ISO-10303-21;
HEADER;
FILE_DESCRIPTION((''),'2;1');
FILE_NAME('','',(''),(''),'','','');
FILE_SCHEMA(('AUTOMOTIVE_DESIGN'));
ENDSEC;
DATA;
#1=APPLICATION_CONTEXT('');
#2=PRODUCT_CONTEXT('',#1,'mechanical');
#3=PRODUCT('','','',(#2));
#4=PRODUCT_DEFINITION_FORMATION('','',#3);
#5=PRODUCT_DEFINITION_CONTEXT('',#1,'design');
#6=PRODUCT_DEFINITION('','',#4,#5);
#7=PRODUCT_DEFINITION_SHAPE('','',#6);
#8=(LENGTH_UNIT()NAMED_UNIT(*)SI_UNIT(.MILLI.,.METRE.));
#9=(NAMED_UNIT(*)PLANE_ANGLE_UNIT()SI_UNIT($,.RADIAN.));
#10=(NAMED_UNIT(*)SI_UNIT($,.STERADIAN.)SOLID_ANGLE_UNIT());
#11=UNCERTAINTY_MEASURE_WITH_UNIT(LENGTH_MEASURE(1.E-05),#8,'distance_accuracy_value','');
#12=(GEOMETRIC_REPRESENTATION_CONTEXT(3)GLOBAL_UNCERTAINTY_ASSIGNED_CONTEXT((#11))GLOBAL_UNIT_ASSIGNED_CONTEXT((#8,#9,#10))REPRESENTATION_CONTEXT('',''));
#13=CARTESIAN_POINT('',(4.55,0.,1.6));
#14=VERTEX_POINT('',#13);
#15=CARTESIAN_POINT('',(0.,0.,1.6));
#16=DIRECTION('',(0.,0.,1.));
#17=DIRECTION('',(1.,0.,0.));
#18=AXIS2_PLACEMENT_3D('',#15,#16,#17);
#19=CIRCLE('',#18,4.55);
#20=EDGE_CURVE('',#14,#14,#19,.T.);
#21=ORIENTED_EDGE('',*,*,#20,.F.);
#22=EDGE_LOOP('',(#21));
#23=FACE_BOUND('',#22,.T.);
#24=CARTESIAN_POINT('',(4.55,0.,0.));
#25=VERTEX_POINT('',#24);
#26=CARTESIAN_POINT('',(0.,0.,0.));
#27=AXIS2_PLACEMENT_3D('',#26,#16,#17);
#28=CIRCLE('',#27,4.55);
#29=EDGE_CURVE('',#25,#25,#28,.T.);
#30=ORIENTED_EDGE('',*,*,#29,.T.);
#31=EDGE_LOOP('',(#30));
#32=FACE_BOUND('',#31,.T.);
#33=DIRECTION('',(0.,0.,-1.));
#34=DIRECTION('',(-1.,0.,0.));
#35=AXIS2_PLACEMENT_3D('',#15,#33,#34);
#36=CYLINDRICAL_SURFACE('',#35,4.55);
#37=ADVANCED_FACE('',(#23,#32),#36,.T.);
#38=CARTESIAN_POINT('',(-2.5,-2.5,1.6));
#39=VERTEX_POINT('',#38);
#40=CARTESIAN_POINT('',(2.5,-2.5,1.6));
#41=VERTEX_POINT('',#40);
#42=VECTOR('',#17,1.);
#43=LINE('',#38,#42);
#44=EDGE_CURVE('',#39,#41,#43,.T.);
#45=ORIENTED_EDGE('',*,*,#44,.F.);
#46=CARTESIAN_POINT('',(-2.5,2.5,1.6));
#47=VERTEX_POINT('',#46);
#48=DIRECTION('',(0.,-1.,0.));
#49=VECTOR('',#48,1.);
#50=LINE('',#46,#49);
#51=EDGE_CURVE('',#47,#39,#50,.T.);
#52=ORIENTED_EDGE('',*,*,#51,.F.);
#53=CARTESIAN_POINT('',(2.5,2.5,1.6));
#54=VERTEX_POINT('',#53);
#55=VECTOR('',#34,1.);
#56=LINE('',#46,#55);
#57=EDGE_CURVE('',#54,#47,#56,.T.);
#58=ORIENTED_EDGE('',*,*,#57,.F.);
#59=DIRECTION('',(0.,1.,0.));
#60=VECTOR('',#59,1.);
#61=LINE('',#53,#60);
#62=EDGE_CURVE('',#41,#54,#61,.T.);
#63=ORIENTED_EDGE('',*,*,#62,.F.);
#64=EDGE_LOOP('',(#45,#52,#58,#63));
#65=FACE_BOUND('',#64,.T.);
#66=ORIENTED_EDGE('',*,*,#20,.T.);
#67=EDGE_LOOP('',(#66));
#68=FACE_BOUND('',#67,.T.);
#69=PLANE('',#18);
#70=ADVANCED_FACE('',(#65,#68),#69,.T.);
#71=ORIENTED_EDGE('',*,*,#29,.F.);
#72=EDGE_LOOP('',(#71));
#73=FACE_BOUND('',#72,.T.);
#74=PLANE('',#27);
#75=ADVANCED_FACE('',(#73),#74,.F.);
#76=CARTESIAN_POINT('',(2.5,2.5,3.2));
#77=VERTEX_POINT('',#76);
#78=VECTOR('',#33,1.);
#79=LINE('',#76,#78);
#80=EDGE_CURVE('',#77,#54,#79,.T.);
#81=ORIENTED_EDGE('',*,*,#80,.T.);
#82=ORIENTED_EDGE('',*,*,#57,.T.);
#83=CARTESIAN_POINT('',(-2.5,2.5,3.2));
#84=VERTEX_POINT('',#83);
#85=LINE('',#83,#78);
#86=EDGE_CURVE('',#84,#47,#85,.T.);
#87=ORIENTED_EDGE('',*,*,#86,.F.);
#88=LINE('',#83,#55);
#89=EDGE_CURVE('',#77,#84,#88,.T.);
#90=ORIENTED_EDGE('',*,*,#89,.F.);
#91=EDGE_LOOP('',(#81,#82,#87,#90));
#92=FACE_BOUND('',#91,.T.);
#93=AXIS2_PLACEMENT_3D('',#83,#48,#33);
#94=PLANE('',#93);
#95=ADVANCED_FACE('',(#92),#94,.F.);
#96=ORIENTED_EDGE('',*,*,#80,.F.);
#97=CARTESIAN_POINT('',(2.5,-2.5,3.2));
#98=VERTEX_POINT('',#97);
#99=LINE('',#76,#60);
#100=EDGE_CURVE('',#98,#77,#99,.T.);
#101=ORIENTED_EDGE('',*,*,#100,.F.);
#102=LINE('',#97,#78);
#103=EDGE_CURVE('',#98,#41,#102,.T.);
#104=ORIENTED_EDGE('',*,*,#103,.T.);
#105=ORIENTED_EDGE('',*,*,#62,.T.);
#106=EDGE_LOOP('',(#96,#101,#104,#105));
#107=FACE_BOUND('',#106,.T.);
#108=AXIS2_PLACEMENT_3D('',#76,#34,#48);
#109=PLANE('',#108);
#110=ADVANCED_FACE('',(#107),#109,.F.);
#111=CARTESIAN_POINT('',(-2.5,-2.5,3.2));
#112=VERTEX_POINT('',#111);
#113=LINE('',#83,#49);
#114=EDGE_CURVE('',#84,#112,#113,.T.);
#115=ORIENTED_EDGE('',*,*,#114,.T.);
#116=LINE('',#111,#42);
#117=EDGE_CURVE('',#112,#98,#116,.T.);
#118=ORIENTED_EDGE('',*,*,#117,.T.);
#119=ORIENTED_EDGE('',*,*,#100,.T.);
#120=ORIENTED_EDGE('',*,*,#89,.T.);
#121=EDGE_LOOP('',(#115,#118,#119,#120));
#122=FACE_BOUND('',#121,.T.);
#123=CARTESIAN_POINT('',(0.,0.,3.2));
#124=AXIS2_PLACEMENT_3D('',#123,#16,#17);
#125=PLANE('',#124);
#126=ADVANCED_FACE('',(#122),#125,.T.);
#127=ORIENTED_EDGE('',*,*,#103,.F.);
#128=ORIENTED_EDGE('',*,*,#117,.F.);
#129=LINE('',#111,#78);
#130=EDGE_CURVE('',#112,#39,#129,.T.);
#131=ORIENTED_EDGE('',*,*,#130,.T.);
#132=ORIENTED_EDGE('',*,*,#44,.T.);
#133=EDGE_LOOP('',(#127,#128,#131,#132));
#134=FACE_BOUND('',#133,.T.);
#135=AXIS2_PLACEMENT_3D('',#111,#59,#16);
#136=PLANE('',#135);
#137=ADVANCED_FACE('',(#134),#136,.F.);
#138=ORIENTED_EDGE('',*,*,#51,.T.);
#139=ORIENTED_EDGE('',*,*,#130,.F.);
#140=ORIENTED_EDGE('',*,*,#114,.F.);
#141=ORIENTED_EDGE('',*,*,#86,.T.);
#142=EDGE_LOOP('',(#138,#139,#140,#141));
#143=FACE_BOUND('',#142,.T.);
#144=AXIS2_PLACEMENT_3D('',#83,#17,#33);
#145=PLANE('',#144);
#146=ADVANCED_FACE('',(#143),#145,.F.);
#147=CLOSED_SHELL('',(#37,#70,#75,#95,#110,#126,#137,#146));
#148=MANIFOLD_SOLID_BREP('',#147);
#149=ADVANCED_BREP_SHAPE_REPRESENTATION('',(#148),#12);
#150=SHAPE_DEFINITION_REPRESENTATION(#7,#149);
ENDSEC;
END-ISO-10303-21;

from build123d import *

# Parameters (mm, degrees)
SKETCH1_R           = 4.55
BOSS_EXTRUDE1_DEPTH = 1.6
SKETCH3_W           = 5
SKETCH3_H           = 5
BOSS_EXTRUDE2_DEPTH = 1.6


with BuildPart() as part:
    # Sketch1 → Boss-Extrude1 (new body)
    with BuildSketch(Plane.XY):
        Circle(SKETCH1_R)
    extrude(amount=BOSS_EXTRUDE1_DEPTH)

    # Sketch3 → Boss-Extrude2 (add)
    with BuildSketch(Plane.XY.offset(1.6)):
        Rectangle(SKETCH3_W, SKETCH3_H)
    extrude(amount=BOSS_EXTRUDE2_DEPTH)


solid = part.part
